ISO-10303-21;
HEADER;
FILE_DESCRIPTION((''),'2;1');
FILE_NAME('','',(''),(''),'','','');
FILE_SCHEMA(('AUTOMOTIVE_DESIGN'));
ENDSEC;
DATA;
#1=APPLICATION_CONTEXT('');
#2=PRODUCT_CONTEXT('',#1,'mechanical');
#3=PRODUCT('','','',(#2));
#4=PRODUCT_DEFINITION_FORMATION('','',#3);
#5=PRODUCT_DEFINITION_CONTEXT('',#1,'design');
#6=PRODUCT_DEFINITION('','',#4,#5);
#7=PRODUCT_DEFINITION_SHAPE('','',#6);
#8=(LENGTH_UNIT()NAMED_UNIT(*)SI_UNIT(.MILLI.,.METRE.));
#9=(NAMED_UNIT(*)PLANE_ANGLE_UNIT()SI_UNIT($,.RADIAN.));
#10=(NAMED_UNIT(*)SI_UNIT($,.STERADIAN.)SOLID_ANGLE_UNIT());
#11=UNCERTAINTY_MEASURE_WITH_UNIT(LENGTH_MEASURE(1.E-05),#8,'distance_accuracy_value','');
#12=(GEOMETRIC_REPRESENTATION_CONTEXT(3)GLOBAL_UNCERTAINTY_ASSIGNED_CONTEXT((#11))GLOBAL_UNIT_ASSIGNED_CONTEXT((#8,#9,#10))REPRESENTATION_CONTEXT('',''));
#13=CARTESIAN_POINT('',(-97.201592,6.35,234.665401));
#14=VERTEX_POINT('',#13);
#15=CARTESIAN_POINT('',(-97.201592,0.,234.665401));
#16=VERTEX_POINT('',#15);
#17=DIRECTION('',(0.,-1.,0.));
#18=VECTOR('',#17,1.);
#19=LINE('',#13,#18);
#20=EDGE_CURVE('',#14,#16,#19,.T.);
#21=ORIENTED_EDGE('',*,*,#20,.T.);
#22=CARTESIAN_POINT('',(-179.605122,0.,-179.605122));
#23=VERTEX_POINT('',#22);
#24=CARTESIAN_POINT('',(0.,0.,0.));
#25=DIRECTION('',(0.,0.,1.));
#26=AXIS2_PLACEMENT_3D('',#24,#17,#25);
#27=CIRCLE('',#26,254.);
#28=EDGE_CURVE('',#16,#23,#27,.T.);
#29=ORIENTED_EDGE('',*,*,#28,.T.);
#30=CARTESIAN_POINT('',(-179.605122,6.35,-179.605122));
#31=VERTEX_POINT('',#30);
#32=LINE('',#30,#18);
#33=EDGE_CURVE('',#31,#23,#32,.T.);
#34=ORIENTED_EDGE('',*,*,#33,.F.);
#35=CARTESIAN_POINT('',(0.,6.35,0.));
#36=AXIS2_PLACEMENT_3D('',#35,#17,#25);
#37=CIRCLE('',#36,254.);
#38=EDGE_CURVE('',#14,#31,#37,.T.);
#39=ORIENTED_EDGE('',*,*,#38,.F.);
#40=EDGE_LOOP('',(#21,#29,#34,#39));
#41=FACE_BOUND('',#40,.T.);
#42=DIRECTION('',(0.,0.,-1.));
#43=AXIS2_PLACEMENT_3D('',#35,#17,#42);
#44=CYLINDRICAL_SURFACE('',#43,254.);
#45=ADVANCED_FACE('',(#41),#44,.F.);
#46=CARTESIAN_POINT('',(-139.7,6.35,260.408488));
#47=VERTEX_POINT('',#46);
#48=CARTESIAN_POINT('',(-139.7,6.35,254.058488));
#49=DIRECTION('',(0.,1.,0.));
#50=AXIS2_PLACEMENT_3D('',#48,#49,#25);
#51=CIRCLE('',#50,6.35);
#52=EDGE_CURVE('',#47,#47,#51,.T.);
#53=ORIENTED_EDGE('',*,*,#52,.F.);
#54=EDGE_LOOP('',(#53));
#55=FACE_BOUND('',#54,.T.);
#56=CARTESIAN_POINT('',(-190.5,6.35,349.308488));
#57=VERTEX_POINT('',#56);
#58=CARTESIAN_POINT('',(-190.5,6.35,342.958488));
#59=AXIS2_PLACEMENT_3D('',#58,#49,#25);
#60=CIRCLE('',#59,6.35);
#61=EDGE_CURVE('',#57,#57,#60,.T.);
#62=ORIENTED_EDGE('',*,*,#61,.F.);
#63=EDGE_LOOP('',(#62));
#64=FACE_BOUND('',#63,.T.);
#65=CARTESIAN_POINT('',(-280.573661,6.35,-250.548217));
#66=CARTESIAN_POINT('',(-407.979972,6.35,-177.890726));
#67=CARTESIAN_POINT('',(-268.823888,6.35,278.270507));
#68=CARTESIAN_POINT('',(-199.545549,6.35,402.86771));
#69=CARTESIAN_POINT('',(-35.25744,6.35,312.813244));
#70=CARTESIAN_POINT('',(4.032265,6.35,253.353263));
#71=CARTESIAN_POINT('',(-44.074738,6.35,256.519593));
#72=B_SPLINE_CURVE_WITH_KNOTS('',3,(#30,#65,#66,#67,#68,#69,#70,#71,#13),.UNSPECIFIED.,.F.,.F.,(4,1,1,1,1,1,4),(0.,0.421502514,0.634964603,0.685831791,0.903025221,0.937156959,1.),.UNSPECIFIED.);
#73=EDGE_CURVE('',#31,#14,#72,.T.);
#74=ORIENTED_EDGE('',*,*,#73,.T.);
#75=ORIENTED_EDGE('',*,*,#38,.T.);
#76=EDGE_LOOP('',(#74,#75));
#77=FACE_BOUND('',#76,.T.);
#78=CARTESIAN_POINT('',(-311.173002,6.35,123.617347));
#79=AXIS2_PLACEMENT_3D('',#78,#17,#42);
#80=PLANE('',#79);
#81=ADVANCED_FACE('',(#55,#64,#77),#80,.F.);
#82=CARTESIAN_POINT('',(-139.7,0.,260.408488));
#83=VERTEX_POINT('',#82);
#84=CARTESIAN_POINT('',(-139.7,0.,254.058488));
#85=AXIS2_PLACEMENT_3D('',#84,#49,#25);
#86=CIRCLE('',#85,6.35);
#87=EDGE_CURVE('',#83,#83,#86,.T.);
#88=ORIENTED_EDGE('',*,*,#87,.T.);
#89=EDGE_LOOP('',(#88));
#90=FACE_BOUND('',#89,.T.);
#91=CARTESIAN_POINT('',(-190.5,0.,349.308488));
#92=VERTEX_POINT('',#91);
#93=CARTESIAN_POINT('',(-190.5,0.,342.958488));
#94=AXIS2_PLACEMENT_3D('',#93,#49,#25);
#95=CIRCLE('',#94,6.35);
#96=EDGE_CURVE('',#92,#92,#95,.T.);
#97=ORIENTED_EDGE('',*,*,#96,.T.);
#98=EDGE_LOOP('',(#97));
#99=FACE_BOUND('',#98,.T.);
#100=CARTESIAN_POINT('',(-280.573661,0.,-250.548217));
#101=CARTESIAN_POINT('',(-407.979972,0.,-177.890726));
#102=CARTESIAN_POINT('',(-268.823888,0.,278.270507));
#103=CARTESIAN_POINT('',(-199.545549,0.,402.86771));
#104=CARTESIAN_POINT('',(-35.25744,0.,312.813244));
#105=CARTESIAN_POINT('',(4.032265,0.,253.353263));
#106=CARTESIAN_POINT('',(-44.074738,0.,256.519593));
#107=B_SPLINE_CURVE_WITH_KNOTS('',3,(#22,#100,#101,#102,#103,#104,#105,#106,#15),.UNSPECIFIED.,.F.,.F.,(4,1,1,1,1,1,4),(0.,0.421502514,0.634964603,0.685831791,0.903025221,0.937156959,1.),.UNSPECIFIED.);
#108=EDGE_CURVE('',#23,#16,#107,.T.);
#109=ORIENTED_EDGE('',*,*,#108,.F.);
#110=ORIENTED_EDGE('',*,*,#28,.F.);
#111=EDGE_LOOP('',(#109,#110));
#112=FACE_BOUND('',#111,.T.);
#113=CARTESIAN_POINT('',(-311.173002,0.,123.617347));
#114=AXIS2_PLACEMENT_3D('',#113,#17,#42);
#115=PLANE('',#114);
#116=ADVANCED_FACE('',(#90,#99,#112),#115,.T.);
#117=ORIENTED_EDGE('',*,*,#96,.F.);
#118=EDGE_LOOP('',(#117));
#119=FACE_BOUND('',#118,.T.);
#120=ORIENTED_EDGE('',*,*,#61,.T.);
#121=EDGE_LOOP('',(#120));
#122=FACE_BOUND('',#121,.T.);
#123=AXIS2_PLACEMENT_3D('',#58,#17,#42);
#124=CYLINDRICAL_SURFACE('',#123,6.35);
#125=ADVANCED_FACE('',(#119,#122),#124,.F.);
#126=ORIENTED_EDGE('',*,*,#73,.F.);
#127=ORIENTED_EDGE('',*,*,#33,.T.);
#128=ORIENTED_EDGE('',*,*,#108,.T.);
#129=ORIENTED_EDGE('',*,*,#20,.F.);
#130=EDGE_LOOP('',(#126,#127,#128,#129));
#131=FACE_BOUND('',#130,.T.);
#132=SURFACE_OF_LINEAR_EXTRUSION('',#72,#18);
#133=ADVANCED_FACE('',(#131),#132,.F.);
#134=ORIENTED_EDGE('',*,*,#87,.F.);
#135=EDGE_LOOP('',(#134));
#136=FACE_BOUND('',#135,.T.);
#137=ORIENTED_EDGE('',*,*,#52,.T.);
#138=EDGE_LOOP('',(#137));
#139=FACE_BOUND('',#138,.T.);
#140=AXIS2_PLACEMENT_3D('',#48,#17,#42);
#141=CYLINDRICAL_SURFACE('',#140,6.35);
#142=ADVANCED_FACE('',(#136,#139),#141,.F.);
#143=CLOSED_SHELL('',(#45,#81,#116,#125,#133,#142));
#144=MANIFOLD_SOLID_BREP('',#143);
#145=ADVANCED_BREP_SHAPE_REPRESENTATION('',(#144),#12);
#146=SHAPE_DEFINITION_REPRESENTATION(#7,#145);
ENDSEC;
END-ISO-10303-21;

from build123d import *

# Parameters (mm, degrees)
SKETCH1_R           = 6.35
BOSS_EXTRUDE1_DEPTH = 6.35


with BuildPart() as part:
    # Sketch1 → Boss-Extrude1 (new body)
    with BuildSketch(Plane(origin=(0, 0, 0), x_dir=(1, 0, 0), z_dir=(0, 1, 0))):
        with BuildLine():
            ThreePointArc((-179.605122421, 179.605122421), (-249.119461222, -49.552941792), (-97.201591821, -234.665401258))
            add(Edge.make_bspline(
                [(-179.605122421, 179.605122421), (-280.573661094, 250.548217173), (-407.979972417, 177.890725525), (-268.823888221, -278.270507313), (-199.545548533, -402.86770968), (-35.257440084, -312.81324434), (4.032264641, -253.353262904), (-44.074738001, -256.519593289), (-97.201591821, -234.665401258)],
                knots=[0, 0, 0, 0, 0.421502514, 0.634964603, 0.685831791, 0.903025221, 0.937156959, 1, 1, 1, 1], degree=3))
        make_face()
        with Locations(Location((-139.7, -254.05848829, 0), (0, 0, 270))):
            Circle(SKETCH1_R, mode=Mode.SUBTRACT)
        with Locations(Location((-190.5, -342.95848829, 0), (0, 0, 270))):
            Circle(SKETCH1_R, mode=Mode.SUBTRACT)
    extrude(amount=BOSS_EXTRUDE1_DEPTH)


solid = part.part
